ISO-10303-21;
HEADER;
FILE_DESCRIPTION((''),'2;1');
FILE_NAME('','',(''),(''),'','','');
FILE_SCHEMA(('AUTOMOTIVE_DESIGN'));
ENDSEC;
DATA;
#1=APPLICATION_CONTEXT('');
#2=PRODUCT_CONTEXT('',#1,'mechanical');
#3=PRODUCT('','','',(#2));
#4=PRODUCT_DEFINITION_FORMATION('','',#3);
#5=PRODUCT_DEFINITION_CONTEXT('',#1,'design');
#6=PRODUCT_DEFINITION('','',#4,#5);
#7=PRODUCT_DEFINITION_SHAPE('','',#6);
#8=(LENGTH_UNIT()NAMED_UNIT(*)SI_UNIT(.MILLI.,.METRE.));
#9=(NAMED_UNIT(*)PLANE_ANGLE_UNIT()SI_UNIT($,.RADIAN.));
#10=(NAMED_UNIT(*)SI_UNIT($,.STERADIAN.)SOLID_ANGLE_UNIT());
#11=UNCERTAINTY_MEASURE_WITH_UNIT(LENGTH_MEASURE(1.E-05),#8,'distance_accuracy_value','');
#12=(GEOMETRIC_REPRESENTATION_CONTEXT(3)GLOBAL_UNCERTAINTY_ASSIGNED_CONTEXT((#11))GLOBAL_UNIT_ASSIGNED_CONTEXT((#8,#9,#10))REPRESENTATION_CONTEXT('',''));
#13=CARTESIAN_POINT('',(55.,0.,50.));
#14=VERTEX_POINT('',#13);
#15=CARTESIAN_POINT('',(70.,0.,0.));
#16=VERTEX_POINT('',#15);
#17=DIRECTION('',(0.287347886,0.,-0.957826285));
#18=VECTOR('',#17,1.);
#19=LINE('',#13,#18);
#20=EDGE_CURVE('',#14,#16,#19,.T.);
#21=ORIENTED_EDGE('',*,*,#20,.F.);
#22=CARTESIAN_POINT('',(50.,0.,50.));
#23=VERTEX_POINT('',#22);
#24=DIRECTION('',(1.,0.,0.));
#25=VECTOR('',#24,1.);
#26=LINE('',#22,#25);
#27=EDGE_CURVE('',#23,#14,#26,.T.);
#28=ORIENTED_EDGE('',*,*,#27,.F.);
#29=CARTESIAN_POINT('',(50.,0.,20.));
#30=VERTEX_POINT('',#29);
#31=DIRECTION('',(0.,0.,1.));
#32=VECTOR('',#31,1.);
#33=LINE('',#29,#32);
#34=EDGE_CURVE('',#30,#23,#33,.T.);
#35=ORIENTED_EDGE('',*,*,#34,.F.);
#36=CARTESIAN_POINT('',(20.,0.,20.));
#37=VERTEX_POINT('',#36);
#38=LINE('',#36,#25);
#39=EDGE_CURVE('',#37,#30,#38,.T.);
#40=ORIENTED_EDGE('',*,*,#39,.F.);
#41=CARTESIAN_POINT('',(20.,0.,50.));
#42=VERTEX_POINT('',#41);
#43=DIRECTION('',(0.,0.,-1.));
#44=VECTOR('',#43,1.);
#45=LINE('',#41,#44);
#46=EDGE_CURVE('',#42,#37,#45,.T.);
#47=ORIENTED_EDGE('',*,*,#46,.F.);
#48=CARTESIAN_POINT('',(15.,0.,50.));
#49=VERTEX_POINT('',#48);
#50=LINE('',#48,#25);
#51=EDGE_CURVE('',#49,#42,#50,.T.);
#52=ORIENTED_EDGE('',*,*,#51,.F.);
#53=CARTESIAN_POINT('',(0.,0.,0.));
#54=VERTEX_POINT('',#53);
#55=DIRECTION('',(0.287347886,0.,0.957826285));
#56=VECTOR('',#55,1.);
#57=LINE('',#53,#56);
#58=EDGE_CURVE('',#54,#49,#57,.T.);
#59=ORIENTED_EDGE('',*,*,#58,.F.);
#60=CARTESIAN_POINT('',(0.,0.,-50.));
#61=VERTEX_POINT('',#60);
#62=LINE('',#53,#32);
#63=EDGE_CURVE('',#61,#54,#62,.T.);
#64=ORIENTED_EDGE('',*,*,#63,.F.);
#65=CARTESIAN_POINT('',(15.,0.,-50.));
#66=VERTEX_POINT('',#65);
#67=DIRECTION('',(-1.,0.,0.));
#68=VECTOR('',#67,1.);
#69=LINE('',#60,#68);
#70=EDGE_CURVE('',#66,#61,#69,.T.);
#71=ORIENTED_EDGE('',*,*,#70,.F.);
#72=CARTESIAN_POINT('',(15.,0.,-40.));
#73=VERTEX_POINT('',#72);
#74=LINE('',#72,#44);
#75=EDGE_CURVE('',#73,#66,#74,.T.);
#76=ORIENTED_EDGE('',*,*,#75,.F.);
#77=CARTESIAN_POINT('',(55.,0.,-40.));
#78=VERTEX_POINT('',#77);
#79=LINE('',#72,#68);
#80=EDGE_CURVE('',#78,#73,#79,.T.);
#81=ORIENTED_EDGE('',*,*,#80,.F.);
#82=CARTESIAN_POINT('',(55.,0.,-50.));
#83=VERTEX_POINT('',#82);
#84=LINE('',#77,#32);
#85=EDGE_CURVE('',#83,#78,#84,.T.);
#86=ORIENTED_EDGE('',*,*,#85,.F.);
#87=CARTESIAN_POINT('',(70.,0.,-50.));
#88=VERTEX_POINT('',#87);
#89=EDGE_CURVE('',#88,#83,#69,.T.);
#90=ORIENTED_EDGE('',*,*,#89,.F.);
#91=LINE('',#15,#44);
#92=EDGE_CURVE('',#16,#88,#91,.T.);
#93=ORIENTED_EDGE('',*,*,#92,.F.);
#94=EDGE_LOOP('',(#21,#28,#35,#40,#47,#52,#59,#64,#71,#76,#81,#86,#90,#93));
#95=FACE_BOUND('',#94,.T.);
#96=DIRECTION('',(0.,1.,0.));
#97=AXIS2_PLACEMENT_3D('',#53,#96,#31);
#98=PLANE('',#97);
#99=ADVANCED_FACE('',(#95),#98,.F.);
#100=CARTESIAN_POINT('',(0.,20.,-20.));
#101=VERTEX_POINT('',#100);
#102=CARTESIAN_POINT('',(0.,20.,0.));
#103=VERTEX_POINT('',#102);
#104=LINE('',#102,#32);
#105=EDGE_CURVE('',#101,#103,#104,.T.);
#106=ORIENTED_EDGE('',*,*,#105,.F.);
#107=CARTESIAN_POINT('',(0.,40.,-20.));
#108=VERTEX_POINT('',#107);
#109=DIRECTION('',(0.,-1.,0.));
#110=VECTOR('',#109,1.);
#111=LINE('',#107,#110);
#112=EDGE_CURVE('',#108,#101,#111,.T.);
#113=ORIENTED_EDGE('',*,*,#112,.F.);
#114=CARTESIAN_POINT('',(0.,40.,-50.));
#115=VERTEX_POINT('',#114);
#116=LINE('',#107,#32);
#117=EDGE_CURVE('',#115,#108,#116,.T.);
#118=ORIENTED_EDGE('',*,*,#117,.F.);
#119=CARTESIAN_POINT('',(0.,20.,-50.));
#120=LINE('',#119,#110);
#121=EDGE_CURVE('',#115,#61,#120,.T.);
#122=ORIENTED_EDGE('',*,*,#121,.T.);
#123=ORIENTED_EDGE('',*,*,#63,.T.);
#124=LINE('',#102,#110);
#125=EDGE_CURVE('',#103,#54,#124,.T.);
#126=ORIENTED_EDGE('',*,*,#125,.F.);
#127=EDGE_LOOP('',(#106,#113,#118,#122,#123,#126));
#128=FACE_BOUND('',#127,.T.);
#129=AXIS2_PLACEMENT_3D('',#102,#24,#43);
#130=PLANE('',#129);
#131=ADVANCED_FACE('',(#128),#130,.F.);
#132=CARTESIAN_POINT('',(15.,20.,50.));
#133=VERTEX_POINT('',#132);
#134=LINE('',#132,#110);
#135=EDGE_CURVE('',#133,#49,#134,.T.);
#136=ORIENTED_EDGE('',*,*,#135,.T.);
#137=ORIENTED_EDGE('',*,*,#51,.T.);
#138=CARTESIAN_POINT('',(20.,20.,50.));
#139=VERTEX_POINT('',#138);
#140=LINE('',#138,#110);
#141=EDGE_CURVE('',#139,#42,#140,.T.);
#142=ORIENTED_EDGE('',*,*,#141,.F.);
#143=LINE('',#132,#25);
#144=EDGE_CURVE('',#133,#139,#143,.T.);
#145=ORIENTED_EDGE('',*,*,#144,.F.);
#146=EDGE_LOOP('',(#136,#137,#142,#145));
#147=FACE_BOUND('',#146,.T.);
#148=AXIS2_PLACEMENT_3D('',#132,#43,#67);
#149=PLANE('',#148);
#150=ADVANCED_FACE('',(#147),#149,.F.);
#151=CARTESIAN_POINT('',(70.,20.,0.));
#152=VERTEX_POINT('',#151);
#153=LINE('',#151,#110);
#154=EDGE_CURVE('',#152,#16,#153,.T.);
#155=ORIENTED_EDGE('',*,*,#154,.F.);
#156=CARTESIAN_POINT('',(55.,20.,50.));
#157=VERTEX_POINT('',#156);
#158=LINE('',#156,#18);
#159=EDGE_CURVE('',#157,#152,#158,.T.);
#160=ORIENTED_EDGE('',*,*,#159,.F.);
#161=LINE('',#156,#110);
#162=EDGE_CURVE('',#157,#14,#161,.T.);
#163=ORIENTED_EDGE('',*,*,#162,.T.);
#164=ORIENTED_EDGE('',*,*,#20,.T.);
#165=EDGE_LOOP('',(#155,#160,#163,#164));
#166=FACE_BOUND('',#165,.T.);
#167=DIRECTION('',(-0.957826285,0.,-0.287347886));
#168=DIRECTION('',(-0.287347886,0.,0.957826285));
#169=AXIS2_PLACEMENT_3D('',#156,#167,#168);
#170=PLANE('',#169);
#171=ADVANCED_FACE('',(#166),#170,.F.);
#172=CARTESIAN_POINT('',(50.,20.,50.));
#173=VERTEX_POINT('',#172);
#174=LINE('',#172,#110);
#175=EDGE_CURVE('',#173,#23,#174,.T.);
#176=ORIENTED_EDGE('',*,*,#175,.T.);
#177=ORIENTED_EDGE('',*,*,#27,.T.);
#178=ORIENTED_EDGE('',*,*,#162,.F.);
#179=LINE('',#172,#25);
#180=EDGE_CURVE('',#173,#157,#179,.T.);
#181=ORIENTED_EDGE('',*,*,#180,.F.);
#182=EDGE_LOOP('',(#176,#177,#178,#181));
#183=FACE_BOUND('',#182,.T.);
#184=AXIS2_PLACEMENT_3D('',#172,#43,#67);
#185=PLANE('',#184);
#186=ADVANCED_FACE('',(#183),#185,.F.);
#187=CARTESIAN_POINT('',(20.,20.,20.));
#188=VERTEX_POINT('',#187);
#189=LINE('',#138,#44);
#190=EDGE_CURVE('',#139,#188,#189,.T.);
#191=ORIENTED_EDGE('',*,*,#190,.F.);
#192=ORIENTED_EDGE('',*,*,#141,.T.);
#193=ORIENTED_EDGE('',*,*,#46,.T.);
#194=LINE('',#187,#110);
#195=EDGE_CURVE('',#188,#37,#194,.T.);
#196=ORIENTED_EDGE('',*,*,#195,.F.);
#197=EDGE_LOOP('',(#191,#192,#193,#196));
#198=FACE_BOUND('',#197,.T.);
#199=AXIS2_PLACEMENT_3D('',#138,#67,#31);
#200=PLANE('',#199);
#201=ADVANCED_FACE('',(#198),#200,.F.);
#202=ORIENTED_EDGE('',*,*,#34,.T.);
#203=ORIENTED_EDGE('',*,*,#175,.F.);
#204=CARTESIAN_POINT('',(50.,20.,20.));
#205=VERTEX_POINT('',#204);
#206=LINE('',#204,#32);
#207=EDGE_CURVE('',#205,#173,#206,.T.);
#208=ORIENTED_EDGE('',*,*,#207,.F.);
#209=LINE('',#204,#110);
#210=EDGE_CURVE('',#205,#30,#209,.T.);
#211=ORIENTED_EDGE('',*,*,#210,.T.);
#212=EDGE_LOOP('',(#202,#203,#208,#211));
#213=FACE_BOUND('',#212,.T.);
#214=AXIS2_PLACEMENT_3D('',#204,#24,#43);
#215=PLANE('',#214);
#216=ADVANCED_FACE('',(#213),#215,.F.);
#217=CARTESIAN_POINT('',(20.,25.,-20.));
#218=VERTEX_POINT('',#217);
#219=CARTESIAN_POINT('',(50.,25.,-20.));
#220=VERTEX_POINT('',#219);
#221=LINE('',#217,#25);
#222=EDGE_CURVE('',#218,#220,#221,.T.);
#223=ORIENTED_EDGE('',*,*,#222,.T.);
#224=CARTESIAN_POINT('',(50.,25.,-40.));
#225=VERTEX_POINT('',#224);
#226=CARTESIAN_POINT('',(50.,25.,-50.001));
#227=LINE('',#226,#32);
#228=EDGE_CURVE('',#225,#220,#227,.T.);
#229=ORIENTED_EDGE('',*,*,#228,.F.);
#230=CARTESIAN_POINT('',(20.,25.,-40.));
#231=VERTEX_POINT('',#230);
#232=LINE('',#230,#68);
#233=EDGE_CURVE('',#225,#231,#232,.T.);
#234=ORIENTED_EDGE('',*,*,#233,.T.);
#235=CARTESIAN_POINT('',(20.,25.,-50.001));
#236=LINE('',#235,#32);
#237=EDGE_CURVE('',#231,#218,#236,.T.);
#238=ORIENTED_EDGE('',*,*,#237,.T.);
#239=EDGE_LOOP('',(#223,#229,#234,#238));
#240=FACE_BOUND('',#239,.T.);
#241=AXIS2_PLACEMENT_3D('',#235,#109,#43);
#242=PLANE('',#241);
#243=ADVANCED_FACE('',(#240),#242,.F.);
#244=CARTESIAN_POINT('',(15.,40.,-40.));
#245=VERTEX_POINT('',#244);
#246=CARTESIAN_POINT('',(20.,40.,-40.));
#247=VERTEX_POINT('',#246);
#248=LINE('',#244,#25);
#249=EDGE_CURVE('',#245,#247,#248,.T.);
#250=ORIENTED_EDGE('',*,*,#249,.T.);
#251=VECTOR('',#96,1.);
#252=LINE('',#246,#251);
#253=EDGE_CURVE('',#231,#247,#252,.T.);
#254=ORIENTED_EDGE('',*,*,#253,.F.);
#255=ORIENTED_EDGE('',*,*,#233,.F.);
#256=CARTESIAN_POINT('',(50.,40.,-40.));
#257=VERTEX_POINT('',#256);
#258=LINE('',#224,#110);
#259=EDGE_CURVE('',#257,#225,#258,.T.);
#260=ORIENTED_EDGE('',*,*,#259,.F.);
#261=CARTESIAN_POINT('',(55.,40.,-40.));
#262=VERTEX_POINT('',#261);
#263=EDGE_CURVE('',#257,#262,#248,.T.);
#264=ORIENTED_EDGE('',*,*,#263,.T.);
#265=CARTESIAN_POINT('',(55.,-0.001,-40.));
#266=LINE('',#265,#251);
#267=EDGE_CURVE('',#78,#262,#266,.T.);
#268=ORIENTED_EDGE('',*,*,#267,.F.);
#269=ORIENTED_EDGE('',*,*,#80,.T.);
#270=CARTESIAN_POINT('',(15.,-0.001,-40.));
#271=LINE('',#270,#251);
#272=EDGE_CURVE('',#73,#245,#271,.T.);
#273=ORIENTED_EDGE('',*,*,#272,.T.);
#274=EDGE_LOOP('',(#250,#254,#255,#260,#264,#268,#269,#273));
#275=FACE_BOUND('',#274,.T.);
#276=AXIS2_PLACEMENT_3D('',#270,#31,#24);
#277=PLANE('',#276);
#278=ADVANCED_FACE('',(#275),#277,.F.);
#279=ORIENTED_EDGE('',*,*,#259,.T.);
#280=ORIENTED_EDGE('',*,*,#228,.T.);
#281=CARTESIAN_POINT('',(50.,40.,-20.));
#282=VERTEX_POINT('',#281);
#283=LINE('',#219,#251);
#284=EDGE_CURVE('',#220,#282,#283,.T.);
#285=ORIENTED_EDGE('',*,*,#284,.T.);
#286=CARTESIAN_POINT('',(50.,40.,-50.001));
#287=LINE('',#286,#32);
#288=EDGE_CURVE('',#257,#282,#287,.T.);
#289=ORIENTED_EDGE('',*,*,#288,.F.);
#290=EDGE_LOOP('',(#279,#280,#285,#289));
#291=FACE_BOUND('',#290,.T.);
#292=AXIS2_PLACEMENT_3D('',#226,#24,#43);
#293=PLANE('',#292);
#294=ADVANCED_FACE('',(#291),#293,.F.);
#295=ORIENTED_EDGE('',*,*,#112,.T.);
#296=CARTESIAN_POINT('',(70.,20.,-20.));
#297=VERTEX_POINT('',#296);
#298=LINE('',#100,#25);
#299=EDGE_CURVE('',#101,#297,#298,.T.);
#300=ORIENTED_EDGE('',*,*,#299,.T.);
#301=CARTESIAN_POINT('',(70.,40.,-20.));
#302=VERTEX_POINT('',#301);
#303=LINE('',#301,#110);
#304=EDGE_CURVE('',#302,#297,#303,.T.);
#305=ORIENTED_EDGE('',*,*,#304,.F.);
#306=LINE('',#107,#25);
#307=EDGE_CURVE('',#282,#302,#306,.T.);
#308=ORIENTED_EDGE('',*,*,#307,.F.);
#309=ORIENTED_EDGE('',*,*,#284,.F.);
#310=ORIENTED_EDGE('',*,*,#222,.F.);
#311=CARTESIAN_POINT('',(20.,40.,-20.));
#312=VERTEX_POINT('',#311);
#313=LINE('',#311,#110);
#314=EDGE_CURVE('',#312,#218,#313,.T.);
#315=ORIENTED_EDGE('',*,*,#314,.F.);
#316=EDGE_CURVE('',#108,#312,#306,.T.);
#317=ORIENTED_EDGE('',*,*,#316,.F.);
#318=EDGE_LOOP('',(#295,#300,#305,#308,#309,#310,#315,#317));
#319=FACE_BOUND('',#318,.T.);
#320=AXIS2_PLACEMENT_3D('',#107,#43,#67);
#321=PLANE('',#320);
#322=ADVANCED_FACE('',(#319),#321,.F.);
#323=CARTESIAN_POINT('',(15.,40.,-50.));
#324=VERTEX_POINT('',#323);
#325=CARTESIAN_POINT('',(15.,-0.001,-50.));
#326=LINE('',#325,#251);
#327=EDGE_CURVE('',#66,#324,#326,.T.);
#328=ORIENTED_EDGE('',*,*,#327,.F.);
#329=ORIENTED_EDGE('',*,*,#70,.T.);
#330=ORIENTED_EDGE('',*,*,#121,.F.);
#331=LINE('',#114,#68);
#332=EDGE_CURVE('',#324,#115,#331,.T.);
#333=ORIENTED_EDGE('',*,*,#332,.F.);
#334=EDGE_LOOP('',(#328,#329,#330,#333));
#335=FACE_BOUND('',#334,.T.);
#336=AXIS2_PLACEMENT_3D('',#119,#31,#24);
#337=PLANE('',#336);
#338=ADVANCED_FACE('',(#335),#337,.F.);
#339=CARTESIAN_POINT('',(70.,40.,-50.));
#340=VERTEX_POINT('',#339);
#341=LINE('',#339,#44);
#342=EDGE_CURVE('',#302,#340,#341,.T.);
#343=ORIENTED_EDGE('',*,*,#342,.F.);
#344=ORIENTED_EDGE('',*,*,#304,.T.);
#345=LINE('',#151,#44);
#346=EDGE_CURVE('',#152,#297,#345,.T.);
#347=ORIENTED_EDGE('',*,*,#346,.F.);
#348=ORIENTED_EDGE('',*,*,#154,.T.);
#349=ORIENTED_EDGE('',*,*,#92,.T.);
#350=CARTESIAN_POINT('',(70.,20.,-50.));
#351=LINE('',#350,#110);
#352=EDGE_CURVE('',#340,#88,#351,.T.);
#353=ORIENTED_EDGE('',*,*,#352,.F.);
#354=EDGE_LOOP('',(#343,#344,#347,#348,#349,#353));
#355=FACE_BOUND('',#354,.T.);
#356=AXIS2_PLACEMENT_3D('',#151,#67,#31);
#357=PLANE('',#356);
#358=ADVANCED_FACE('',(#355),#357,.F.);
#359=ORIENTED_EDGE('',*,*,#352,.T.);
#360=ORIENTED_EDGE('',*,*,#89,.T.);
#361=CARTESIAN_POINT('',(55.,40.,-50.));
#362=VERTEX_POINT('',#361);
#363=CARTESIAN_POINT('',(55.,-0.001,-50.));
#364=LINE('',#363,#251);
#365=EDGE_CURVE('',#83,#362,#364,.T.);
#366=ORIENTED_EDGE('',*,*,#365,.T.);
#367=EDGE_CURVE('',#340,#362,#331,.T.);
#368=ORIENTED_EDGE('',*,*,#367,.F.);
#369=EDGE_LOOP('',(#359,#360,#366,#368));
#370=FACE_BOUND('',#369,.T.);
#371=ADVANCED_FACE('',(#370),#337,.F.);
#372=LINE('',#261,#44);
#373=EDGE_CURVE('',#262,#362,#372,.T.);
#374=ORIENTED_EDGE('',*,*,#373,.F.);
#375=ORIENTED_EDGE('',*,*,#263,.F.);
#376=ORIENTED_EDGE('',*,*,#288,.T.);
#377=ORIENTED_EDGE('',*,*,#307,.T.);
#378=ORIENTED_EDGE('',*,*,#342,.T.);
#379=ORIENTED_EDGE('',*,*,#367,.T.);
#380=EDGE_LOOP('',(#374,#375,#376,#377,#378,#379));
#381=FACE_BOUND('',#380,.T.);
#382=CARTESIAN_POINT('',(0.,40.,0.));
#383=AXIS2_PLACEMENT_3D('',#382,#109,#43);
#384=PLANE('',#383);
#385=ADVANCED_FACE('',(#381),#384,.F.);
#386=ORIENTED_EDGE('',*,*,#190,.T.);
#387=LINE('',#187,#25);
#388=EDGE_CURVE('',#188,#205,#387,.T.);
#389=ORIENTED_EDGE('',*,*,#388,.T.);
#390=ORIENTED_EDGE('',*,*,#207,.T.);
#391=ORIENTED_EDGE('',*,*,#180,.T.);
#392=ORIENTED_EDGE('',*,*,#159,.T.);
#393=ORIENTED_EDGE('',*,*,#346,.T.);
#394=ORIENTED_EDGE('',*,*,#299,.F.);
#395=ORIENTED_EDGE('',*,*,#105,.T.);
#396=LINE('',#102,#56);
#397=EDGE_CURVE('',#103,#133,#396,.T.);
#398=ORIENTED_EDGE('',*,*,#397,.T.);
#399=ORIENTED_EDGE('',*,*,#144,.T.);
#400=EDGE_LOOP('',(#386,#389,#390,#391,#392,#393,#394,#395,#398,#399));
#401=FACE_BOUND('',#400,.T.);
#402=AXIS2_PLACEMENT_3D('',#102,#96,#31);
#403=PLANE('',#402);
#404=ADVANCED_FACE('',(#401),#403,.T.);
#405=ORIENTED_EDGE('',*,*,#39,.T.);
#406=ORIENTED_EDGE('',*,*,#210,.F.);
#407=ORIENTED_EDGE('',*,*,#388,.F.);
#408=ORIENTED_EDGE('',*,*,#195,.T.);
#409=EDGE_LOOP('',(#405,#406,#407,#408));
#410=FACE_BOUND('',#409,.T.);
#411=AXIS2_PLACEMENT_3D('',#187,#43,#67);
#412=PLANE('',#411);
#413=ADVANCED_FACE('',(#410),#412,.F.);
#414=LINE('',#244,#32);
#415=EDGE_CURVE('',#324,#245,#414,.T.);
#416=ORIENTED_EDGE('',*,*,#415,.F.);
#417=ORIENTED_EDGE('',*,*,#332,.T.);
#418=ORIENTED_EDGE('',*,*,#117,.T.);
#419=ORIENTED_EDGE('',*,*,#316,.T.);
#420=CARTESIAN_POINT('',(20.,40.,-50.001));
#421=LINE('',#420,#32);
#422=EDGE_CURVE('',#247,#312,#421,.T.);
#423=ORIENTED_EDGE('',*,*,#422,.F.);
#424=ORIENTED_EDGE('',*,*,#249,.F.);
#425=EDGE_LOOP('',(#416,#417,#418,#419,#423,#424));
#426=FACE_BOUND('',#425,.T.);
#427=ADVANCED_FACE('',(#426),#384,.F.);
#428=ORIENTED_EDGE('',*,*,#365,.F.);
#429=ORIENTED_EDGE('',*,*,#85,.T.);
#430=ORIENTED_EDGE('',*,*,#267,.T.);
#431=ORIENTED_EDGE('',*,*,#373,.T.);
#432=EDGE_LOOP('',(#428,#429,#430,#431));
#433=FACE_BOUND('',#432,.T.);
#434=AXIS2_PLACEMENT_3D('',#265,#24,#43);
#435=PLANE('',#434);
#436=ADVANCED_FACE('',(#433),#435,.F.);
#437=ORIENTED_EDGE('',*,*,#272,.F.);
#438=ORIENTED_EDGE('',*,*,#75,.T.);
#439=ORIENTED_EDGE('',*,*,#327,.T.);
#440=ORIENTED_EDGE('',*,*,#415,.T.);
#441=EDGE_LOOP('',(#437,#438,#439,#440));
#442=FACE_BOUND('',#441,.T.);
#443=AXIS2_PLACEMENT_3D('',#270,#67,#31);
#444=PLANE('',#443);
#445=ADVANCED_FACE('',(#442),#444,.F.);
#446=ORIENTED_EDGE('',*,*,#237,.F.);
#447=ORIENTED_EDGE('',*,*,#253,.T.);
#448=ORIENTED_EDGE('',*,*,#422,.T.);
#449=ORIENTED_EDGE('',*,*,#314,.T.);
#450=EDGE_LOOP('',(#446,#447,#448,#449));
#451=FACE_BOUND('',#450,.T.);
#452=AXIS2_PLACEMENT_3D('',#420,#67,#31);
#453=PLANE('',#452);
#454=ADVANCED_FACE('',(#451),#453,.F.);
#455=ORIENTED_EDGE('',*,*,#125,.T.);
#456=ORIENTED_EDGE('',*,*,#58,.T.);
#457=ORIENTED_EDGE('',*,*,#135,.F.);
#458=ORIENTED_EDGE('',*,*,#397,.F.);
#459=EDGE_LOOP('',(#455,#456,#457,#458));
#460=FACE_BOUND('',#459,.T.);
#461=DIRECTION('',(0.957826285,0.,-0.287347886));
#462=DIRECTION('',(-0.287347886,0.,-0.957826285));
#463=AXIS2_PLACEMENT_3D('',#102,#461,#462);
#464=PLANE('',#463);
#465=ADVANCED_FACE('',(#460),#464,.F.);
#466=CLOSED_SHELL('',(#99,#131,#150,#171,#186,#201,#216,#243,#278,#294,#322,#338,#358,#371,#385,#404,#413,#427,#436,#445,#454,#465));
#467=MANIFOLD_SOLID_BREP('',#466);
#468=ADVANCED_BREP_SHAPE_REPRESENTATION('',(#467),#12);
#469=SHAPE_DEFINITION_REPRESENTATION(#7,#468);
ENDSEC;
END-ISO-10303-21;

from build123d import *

# Parameters (mm, degrees)
BOSS_EXTRUDE1_DEPTH = 20
SKETCH2_W           = 70
SKETCH2_H           = 30
BOSS_EXTRUDE2_DEPTH = 20
CUT_EXTRUDE1_REACH  = 96.868
SKETCH3_W           = 40
SKETCH3_H           = 10
CUT_EXTRUDE2_REACH  = 108.771
SKETCH4_W           = 30
SKETCH4_H           = 15


with BuildPart() as part:
    # Sketch1 → Boss-Extrude1 (new body)
    with BuildSketch(Plane(origin=(0, 0, 0), x_dir=(1, 0, 0), z_dir=(0, 1, 0))):
        Polygon((0, 0), (0, 50), (70, 50), (70, 0), (55, -50), (50, -50), (50, -20), (20, -20), (20, -50), (15, -50), align=None)
    extrude(amount=BOSS_EXTRUDE1_DEPTH)

    # Sketch2 → Boss-Extrude2 (add)
    with BuildSketch(Plane(origin=(0, 20, 0), x_dir=(1, 0, 0), z_dir=(0, 1, 0))):
        with Locations((35, 35)):
            Rectangle(SKETCH2_W, SKETCH2_H)
    extrude(amount=BOSS_EXTRUDE2_DEPTH)

    # Sketch3 → Cut-Extrude1 (cut, up to next)
    with BuildSketch(Plane(origin=(0, 40, 0), x_dir=(1, 0, 0), z_dir=(0, 1, 0)), mode=Mode.PRIVATE) as cut_extrude1_sk1:
        with Locations((35, 45)):
            Rectangle(SKETCH3_W, SKETCH3_H)
    cut_extrude1_tool1 = extrude(cut_extrude1_sk1.sketch, amount=-CUT_EXTRUDE1_REACH, mode=Mode.PRIVATE) & part.part
    add(cut_extrude1_tool1.solids().sort_by_distance((35, 40, -45))[0], mode=Mode.SUBTRACT)

    # Sketch4 → Cut-Extrude2 (cut, up to next)
    with BuildSketch(Plane.XY.offset(-20), mode=Mode.PRIVATE) as cut_extrude2_sk1:
        with Locations((35, 32.5)):
            Rectangle(SKETCH4_W, SKETCH4_H)
    cut_extrude2_tool1 = extrude(cut_extrude2_sk1.sketch, amount=-CUT_EXTRUDE2_REACH, mode=Mode.PRIVATE) & part.part
    add(cut_extrude2_tool1.solids().sort_by_distance((35, 32.5, -20))[0], mode=Mode.SUBTRACT)


solid = part.part
